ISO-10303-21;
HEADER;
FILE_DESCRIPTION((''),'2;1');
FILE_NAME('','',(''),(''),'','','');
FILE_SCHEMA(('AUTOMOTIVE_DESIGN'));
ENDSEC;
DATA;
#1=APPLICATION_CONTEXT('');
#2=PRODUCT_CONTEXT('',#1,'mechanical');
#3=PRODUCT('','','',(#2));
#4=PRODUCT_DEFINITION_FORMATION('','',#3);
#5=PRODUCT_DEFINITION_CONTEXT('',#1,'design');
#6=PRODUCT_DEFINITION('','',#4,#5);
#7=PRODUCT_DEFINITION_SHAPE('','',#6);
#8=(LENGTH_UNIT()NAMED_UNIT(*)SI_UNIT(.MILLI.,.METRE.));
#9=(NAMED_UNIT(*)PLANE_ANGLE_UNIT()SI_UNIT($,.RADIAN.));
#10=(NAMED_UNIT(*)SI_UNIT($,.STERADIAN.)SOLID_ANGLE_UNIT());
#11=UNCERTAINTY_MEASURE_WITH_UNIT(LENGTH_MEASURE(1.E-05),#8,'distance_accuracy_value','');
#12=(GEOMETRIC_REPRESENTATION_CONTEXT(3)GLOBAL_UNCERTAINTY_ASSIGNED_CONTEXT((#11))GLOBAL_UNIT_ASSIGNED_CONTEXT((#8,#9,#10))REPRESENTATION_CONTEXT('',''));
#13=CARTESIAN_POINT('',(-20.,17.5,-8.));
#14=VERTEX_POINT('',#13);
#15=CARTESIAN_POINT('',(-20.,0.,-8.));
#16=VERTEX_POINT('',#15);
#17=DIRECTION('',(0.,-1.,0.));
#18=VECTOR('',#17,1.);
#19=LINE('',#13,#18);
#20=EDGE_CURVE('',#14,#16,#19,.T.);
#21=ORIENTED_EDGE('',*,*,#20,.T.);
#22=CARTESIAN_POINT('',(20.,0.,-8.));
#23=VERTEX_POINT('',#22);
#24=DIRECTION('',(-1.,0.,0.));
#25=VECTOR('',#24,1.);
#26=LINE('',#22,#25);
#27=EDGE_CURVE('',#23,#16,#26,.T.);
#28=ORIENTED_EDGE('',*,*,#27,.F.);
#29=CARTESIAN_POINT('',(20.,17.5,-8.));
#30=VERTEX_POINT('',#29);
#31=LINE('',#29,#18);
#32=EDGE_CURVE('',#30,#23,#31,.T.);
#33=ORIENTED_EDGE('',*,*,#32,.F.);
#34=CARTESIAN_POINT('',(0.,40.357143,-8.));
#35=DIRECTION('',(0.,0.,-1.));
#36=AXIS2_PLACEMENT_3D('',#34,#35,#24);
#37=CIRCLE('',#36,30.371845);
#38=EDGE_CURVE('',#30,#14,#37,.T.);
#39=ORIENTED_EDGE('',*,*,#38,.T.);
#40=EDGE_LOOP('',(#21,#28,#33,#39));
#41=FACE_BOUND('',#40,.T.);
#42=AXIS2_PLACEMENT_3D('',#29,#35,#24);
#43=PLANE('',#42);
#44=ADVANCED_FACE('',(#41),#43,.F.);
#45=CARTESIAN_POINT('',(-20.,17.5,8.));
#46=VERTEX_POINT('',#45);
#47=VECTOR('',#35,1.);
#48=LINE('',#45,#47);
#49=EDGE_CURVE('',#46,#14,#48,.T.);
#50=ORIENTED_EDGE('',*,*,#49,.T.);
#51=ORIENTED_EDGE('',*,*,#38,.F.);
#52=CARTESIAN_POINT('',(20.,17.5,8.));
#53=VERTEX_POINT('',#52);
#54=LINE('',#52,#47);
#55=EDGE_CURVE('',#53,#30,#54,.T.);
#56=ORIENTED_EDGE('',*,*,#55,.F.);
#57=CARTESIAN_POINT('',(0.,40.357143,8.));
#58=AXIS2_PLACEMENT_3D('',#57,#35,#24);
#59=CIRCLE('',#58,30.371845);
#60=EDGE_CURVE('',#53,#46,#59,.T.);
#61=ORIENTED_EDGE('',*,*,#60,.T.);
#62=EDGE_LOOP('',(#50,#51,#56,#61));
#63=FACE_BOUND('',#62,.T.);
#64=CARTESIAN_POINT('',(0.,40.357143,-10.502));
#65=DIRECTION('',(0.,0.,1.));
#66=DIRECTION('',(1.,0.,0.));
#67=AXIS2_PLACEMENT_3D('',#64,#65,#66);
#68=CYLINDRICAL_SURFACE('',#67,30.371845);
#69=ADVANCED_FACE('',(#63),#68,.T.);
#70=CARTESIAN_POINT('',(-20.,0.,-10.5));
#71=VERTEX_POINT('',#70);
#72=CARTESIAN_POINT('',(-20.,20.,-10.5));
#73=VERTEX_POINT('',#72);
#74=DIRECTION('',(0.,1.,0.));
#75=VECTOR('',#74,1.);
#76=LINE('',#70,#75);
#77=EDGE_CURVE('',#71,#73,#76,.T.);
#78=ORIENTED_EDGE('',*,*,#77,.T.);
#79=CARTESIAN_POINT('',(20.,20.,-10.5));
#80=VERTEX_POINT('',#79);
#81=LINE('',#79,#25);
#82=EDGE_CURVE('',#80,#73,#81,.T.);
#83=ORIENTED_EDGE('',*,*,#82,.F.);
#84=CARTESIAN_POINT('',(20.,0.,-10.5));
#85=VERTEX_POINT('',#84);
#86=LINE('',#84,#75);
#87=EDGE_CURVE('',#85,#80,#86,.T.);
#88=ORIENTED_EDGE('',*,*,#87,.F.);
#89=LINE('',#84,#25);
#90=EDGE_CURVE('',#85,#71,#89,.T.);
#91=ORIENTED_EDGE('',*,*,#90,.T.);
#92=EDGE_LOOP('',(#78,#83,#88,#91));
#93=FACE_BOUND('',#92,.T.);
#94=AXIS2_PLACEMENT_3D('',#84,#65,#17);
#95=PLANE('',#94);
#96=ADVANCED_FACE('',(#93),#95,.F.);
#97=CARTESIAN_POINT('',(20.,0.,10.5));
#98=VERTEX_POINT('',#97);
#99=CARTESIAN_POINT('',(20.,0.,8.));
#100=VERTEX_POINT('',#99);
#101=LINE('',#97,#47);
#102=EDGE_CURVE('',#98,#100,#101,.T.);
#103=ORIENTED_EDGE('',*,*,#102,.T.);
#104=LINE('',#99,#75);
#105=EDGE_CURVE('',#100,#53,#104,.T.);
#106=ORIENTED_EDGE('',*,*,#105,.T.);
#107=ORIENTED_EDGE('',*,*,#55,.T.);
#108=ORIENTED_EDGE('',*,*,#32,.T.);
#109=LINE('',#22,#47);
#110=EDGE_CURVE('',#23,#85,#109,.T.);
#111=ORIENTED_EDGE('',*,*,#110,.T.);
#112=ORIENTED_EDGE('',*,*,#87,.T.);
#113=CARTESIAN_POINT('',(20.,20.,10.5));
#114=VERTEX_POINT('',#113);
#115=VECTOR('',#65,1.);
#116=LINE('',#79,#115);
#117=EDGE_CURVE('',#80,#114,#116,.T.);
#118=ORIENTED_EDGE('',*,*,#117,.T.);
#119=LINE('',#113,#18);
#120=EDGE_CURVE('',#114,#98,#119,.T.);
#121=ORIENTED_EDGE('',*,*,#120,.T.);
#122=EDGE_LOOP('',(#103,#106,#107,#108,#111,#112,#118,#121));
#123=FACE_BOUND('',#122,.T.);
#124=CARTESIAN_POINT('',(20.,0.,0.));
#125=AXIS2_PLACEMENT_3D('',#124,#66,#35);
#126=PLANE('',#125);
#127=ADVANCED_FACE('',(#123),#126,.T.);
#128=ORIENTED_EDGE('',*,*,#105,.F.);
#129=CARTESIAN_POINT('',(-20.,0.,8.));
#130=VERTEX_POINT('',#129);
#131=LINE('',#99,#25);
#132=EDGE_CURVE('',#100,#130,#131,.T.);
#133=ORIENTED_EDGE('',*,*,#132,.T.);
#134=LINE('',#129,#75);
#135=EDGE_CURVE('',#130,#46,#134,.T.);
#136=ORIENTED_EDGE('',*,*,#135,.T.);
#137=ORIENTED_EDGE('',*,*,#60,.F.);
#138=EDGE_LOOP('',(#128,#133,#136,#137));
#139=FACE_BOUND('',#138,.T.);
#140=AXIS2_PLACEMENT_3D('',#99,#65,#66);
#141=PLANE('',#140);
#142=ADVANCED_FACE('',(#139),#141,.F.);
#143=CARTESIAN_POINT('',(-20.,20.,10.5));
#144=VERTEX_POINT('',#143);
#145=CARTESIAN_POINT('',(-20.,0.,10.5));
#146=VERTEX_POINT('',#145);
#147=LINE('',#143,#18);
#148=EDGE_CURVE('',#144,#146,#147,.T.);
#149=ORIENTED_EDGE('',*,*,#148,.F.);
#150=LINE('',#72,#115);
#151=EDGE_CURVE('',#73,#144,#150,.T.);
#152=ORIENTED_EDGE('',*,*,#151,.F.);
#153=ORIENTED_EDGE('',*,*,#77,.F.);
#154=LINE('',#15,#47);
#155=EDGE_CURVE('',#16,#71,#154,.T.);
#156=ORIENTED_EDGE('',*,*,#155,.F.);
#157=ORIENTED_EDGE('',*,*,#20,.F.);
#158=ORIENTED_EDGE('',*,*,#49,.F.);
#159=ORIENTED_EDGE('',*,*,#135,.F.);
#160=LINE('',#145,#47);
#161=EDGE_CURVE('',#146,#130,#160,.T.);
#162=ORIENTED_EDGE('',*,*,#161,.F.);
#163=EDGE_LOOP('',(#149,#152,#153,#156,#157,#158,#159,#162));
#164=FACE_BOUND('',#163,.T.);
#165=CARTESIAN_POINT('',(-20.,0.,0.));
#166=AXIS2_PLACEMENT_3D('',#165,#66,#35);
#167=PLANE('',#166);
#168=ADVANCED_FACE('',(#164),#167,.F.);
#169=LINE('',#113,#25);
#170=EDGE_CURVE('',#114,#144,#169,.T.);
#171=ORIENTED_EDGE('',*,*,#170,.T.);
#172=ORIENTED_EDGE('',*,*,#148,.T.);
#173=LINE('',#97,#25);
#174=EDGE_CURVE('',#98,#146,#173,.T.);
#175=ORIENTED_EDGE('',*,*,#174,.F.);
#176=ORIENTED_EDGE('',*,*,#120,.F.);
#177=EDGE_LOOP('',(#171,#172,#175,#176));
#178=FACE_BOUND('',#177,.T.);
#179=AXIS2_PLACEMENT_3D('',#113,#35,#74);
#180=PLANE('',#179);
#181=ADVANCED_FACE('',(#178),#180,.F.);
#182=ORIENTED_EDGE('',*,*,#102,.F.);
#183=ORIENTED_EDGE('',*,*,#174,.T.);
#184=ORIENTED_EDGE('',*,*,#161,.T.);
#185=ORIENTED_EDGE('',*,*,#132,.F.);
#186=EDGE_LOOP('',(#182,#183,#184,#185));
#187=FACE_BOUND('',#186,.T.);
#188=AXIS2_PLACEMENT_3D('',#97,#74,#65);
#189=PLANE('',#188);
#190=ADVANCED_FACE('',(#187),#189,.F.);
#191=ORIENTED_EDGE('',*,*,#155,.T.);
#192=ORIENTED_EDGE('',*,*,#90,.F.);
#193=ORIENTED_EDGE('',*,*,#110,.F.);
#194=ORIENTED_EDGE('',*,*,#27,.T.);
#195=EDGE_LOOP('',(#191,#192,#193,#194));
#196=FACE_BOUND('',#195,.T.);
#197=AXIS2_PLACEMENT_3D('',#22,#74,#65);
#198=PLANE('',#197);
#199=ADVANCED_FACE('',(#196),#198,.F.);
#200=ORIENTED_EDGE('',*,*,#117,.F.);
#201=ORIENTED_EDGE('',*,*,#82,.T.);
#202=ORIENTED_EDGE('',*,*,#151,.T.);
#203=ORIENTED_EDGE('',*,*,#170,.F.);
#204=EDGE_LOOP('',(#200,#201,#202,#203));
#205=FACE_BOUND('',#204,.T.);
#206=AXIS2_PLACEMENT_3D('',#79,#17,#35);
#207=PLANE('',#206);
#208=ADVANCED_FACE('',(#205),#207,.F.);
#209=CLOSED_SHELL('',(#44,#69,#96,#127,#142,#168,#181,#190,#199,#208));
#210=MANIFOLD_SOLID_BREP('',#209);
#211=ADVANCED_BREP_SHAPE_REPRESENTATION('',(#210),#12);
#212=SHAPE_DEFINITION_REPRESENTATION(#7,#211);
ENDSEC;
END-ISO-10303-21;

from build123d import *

# Parameters (mm, degrees)
BOSS_EXTRUDE1_DEPTH = 20
BOSS_EXTRUDE2_REACH = 35.797


with BuildPart() as part:
    # Sketch1 → Boss-Extrude1 (new, symmetric)
    with BuildSketch(Plane(origin=(0, 0, 0), x_dir=(0, 0, -1), z_dir=(1, 0, 0))):
        Polygon((-8, 0), (-8, 17.5), (8, 17.5), (8, 0), (10.5, 0), (10.5, 20), (-10.5, 20), (-10.5, 0), align=None)
    extrude(amount=BOSS_EXTRUDE1_DEPTH, both=True)

    # Sketch2 → Boss-Extrude2 (add, up to next)
    with BuildSketch(Plane(origin=(0, 0, 8), x_dir=(-1, 0, 0), z_dir=(0, 0, -1)), mode=Mode.PRIVATE) as boss_extrude2_sk1:
        with BuildLine():
            Line((20, 17.5), (20, 20))
            Line((20, 20), (-20, 20))
            Line((-20, 20), (-20, 17.5))
            ThreePointArc((-20, 17.5), (0, 9.985297678), (20, 17.5))
        make_face()
    boss_extrude2_tool1 = extrude(boss_extrude2_sk1.sketch, amount=BOSS_EXTRUDE2_REACH, mode=Mode.PRIVATE) - part.part
    add(boss_extrude2_tool1.solids().sort_by_distance((0, 15.86208, 8))[0])


solid = part.part
